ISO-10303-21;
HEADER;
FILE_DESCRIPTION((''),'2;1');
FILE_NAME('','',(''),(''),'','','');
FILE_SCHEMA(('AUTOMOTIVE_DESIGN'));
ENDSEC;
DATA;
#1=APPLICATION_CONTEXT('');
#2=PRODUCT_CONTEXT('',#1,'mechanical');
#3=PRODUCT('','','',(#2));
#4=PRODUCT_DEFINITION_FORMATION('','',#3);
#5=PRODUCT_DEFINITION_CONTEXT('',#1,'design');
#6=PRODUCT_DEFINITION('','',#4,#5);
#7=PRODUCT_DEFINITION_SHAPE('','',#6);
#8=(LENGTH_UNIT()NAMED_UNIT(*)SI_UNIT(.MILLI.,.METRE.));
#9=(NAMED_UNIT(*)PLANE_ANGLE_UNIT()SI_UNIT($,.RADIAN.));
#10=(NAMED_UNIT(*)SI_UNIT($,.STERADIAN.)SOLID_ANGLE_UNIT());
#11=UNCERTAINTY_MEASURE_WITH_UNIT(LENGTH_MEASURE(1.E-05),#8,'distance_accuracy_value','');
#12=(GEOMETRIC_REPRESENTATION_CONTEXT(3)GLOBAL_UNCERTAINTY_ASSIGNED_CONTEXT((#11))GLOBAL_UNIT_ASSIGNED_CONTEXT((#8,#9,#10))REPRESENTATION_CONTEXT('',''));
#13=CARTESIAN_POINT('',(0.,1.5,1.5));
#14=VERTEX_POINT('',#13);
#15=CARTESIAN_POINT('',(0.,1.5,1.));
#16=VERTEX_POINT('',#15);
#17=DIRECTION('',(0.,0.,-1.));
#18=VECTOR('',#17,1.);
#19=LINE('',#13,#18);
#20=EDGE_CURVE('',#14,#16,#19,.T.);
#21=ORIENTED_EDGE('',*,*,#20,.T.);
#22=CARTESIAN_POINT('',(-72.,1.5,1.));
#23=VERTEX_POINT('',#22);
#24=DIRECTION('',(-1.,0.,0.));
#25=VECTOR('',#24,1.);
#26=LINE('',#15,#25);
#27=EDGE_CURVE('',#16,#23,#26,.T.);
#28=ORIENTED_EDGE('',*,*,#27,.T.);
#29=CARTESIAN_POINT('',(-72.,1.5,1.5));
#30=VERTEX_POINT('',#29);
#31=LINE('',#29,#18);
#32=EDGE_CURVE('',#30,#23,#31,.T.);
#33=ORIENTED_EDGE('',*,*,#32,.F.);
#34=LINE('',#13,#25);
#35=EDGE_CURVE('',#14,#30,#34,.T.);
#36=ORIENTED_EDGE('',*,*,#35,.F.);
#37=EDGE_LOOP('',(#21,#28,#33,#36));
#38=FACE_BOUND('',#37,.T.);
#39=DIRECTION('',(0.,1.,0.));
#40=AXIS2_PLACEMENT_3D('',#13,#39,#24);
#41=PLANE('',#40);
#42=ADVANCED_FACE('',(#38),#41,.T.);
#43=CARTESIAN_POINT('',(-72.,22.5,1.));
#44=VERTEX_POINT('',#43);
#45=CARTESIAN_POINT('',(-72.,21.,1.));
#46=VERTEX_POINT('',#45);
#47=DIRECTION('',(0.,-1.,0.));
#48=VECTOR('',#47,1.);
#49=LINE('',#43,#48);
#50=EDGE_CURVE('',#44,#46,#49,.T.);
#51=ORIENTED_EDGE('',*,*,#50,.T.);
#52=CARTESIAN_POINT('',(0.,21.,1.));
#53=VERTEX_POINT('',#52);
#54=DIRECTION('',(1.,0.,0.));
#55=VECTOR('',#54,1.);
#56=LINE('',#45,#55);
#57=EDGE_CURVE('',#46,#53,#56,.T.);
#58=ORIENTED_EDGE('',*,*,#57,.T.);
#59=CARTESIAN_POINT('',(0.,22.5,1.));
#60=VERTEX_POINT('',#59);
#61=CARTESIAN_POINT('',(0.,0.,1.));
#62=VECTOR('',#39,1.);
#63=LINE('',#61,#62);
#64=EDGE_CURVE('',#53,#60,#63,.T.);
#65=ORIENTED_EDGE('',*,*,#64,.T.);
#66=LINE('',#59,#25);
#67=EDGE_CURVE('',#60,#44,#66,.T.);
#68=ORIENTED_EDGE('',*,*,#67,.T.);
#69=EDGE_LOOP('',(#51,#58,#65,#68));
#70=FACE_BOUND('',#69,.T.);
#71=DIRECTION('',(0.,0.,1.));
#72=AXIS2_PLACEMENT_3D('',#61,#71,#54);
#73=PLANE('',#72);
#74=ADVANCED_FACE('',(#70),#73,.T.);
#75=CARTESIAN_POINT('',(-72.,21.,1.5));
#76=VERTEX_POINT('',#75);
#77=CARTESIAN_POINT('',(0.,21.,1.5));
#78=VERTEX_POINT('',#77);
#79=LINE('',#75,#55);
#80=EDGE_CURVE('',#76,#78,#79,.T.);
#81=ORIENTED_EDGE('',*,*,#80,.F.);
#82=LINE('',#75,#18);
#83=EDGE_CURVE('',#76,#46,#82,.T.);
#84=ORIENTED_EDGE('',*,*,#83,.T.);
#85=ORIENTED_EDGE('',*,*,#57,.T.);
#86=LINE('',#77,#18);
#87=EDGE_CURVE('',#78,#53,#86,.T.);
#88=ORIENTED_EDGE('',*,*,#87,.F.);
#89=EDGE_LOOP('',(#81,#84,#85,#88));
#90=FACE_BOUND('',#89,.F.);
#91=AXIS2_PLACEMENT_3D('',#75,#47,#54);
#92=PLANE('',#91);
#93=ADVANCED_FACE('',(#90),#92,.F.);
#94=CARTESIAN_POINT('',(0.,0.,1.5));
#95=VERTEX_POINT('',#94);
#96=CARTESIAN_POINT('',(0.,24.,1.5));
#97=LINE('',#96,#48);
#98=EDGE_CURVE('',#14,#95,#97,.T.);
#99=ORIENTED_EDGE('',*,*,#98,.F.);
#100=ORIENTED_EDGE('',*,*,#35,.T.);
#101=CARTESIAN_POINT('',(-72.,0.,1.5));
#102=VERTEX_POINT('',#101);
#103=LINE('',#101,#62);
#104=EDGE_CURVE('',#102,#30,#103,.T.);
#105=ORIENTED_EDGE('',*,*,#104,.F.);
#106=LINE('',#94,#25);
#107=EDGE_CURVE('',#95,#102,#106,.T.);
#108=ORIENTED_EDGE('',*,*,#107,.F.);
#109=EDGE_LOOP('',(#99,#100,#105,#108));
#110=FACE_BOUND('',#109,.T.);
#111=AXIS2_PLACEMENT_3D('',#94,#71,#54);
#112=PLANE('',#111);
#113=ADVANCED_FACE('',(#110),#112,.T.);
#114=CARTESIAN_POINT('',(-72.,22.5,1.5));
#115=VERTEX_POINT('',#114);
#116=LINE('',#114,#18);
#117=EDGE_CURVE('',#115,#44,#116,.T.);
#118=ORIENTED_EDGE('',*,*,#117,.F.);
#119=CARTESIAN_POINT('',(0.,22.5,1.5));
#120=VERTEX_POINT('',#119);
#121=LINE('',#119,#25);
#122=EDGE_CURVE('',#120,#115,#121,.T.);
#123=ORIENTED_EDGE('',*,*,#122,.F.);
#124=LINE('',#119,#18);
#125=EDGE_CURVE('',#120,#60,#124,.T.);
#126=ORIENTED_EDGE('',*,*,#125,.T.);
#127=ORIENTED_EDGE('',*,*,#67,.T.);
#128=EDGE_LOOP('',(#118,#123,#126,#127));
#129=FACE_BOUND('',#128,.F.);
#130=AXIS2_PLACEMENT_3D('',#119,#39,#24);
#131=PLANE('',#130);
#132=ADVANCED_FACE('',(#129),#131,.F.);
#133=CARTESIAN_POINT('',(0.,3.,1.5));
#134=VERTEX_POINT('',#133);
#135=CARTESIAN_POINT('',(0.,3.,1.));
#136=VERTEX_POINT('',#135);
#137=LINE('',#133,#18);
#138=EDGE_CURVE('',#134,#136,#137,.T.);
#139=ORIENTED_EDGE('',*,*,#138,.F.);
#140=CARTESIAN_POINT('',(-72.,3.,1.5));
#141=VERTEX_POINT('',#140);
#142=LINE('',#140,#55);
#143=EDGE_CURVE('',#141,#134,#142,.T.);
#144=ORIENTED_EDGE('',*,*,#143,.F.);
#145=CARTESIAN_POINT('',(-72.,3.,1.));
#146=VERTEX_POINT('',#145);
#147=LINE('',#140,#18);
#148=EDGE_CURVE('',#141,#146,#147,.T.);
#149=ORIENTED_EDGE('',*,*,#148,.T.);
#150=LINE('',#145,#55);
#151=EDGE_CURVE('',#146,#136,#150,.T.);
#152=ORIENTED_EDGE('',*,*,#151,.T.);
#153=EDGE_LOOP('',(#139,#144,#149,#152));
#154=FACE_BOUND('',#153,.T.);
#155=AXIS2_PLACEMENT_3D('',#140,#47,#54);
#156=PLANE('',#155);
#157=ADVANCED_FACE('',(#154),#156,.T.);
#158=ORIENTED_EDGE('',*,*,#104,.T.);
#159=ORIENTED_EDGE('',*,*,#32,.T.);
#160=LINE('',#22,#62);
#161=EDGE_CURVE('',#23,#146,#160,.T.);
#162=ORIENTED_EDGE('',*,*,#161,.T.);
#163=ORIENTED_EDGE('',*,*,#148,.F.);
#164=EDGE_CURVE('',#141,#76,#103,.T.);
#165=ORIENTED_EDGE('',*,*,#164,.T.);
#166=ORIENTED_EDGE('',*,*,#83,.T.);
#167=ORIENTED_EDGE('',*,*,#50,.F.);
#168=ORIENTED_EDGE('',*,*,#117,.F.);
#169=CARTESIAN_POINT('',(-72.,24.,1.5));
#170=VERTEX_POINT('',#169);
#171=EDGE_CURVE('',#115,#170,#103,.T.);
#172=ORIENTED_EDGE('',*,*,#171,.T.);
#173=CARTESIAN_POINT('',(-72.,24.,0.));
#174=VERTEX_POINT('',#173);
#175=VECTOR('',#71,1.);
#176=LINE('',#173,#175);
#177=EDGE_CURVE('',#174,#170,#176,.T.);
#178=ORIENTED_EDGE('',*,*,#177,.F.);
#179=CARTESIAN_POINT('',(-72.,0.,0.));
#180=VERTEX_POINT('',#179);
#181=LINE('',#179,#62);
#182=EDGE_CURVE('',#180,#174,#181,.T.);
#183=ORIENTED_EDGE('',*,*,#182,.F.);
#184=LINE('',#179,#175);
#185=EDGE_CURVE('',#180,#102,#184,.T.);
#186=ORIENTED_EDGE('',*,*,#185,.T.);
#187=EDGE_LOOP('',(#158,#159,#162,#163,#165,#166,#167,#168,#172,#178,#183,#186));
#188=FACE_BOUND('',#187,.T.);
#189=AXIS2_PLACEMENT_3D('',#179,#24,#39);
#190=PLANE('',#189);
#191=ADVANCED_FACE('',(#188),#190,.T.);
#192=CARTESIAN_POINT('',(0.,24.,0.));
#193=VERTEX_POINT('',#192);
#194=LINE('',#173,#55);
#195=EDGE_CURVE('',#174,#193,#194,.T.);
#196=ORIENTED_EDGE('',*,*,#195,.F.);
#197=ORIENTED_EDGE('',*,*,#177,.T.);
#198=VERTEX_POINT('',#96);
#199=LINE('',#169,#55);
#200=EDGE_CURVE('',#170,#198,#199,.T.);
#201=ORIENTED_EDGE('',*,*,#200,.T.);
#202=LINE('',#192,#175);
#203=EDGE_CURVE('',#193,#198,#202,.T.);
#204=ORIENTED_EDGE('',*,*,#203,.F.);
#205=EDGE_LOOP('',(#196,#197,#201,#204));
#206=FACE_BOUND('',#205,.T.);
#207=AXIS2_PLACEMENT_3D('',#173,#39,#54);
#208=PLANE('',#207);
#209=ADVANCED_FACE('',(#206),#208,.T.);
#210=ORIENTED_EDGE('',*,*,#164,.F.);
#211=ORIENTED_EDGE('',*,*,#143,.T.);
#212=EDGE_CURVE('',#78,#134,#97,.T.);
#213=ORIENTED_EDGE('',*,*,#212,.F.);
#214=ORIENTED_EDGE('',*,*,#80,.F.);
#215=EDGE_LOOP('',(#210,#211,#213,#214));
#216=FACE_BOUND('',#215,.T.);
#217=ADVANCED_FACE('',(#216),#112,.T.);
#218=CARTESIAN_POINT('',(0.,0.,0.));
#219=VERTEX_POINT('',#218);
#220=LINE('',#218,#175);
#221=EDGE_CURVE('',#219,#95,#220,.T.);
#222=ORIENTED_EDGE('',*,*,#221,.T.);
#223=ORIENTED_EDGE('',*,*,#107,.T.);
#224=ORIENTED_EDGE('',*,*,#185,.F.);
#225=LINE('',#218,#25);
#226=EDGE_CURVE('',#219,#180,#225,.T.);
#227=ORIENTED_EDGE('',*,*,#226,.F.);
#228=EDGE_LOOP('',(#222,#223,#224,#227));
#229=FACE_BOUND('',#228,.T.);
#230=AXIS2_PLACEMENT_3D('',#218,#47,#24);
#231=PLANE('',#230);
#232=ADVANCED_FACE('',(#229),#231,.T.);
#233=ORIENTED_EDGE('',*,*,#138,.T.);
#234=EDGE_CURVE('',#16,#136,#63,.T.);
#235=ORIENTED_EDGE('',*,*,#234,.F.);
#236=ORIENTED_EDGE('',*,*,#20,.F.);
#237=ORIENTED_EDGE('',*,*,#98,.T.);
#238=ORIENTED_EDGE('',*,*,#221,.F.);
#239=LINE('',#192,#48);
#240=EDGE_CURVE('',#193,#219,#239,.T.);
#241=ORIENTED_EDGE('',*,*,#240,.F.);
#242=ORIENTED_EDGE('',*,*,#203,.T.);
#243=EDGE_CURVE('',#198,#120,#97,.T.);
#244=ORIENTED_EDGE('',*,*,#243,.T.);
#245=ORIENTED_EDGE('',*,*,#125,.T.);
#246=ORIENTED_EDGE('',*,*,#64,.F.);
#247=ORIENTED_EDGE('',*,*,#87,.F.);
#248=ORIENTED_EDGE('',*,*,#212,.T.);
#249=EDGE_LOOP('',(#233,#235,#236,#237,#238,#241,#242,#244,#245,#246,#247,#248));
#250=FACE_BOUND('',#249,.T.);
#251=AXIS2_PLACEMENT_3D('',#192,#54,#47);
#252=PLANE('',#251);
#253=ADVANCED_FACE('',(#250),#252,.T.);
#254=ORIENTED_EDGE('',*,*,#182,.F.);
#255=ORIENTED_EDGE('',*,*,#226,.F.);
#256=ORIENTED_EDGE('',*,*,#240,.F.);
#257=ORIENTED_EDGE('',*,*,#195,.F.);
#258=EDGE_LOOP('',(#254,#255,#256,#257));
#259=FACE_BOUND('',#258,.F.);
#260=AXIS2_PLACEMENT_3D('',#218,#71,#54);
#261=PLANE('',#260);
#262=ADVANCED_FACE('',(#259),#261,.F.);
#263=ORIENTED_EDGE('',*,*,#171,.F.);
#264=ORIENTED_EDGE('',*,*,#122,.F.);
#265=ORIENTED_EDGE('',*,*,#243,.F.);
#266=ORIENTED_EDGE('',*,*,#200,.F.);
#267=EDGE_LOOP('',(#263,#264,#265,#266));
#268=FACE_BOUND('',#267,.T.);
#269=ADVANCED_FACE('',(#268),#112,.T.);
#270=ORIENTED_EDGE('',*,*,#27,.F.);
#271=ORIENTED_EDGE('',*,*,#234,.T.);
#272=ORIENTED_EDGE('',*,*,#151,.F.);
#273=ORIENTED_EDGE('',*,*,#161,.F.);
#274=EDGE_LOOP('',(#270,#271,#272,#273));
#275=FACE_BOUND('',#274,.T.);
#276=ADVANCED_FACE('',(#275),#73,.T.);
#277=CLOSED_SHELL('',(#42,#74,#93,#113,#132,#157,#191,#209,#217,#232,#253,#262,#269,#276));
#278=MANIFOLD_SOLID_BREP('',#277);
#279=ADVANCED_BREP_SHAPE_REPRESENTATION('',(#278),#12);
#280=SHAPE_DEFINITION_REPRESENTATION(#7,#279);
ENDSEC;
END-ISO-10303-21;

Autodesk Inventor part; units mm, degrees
ref_plane "YZ Plane" through (0, 0, 0) normal (1, 0, 0) x (0, 1, 0)
ref_plane "XZ Plane" through (0, 0, 0) normal (0, 1, 0) x (-1, 0, 0)
ref_plane "XY Plane" through (0, 0, 0) normal (0, 0, 1) x (1, 0, 0)
sketch "Sketch1" plane through (0, 0, 0) normal (0, 0, 1) x (1, 0, 0)
  line L0 (0, 0) -> (-72, 0)
  line L1 (0, 24) -> (0, 0)
  line L2 (0, 0) -> (0, 24) construction
  line L3 (-72, 24) -> (0, 24)
  line L4 (-72, 0) -> (-72, 24)
  point P0 (0, 0)
  point P1 (-137.4598, 47.0487)
  dimension "d3" = 0
  dimension "d4" = 0
  dimension "d8" = 24
extrude "Extrusion2" add sketch "Sketch1" along normal blind 1.5
sketch "Sketch2" plane through (0, 0, 1.5) normal (0, 0, 1) x (1, 0, 0)
  line L0 (0, 0) -> (0, 24) projected
  line L1 (0, 1.5) -> (-72, 1.5)
  line L2 (-72, 1.5) -> (-72, 3)
  line L3 (-72, 3) -> (0, 3)
  line L4 (0, 3) -> (0, 1.5)
  line L5 (0, 22.5) -> (-72, 22.5)
  line L6 (-72, 22.5) -> (-72, 21)
  line L7 (-72, 21) -> (0, 21)
  line L8 (0, 21) -> (0, 22.5)
  point P0 (0, 3)
  point P1 (0, 21)
  dimension "d59" = 72
  dimension "d60" = 1.5
  dimension "d61" = 1.5
extrude "Extrusion3" cut sketch "Sketch2" against normal blind 0.5
properties part number "MS_R_Front_bottom_yellow_v3"
